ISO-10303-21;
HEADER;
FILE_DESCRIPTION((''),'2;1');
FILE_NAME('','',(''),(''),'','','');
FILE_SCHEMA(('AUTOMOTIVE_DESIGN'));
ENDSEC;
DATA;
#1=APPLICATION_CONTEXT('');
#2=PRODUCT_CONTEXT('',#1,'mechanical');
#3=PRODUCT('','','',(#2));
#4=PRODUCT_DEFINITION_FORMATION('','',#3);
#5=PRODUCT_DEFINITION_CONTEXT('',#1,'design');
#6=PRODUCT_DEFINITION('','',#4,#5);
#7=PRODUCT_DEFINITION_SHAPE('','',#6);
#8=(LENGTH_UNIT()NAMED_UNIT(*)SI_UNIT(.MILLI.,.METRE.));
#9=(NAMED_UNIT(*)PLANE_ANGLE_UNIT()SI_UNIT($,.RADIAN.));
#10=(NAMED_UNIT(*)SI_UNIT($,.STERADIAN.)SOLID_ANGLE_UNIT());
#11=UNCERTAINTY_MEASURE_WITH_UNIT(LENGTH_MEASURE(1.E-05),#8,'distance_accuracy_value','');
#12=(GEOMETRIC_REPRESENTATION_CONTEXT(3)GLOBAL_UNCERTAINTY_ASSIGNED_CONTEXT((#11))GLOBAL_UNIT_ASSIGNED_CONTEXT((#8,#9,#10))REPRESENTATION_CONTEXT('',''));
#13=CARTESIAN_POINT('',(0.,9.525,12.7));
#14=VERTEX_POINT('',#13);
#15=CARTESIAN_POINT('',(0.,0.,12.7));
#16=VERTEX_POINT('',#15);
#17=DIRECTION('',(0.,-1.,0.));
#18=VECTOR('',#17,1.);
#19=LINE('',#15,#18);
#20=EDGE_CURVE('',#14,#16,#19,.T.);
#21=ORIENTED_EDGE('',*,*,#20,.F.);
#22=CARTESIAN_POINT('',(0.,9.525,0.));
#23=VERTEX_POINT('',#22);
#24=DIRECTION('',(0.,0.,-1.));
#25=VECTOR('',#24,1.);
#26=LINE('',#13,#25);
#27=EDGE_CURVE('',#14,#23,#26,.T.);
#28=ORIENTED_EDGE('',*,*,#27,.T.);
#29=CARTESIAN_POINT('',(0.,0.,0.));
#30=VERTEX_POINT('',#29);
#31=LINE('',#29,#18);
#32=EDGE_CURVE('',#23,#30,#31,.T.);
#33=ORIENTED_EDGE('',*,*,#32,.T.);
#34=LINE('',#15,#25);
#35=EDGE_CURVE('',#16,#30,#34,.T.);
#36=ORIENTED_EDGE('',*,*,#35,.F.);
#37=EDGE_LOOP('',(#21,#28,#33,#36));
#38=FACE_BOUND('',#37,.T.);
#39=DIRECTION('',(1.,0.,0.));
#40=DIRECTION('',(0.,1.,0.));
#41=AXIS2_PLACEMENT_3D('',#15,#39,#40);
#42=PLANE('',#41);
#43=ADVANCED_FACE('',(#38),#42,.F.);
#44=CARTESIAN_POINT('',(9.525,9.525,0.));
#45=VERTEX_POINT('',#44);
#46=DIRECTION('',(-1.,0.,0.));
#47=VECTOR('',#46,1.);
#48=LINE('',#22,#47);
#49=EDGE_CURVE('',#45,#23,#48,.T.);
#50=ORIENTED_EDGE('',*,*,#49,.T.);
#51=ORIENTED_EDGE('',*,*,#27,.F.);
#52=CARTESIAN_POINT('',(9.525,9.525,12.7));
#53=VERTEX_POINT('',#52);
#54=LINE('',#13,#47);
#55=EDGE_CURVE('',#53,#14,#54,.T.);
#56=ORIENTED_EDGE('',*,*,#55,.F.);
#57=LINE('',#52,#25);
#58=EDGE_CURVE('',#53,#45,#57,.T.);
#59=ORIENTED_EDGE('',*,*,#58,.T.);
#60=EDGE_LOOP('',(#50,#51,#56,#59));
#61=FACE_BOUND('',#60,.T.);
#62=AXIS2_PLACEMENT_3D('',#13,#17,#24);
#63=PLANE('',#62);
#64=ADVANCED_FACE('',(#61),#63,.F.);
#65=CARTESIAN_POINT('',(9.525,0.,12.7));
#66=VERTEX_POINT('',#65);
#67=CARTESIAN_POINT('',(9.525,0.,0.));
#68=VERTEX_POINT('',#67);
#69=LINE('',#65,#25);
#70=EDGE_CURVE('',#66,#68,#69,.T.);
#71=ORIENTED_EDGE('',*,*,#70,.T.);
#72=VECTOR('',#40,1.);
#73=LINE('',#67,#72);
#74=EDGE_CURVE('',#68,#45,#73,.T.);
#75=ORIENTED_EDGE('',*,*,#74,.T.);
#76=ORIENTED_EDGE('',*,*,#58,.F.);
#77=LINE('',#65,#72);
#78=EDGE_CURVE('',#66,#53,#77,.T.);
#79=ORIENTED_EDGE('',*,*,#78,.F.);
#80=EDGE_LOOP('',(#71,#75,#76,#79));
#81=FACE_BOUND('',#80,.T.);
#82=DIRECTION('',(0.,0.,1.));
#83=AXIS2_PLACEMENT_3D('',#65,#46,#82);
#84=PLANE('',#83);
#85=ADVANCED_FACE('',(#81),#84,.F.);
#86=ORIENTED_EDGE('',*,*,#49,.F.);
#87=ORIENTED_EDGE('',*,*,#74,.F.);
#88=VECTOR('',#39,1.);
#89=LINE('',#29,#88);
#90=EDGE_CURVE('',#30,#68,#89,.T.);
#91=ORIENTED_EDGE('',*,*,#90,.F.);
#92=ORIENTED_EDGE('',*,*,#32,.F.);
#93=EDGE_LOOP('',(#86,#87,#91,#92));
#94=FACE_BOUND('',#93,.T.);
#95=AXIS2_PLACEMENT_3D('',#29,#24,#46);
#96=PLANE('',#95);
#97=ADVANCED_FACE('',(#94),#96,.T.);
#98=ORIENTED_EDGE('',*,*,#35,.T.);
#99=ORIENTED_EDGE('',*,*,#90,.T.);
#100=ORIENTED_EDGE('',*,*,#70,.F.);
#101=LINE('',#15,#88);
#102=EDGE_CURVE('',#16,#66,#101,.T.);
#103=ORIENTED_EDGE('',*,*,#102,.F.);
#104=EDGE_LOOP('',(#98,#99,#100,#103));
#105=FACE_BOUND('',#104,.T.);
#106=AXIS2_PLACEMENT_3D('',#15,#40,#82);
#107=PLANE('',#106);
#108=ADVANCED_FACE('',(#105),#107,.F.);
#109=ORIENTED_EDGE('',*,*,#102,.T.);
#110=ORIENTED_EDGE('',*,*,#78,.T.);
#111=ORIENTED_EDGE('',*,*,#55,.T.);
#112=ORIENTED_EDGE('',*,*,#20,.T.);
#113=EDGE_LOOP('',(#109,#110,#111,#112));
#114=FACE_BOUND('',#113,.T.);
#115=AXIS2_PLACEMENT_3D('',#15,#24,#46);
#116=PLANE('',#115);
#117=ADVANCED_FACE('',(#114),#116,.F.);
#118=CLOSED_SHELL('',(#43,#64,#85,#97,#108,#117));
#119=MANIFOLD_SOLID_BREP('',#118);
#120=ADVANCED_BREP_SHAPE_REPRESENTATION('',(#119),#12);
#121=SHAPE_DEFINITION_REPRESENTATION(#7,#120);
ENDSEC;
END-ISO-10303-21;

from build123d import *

# Parameters (mm, degrees)
SKETCH1_W           = 9.525
SKETCH1_H           = 9.525
BOSS_EXTRUDE1_DEPTH = 12.7


with BuildPart() as part:
    # Sketch1 → Boss-Extrude1 (new body)
    with BuildSketch(Plane.XY):
        with Locations((4.7625, 4.7625)):
            Rectangle(SKETCH1_W, SKETCH1_H)
    extrude(amount=BOSS_EXTRUDE1_DEPTH)


solid = part.part
